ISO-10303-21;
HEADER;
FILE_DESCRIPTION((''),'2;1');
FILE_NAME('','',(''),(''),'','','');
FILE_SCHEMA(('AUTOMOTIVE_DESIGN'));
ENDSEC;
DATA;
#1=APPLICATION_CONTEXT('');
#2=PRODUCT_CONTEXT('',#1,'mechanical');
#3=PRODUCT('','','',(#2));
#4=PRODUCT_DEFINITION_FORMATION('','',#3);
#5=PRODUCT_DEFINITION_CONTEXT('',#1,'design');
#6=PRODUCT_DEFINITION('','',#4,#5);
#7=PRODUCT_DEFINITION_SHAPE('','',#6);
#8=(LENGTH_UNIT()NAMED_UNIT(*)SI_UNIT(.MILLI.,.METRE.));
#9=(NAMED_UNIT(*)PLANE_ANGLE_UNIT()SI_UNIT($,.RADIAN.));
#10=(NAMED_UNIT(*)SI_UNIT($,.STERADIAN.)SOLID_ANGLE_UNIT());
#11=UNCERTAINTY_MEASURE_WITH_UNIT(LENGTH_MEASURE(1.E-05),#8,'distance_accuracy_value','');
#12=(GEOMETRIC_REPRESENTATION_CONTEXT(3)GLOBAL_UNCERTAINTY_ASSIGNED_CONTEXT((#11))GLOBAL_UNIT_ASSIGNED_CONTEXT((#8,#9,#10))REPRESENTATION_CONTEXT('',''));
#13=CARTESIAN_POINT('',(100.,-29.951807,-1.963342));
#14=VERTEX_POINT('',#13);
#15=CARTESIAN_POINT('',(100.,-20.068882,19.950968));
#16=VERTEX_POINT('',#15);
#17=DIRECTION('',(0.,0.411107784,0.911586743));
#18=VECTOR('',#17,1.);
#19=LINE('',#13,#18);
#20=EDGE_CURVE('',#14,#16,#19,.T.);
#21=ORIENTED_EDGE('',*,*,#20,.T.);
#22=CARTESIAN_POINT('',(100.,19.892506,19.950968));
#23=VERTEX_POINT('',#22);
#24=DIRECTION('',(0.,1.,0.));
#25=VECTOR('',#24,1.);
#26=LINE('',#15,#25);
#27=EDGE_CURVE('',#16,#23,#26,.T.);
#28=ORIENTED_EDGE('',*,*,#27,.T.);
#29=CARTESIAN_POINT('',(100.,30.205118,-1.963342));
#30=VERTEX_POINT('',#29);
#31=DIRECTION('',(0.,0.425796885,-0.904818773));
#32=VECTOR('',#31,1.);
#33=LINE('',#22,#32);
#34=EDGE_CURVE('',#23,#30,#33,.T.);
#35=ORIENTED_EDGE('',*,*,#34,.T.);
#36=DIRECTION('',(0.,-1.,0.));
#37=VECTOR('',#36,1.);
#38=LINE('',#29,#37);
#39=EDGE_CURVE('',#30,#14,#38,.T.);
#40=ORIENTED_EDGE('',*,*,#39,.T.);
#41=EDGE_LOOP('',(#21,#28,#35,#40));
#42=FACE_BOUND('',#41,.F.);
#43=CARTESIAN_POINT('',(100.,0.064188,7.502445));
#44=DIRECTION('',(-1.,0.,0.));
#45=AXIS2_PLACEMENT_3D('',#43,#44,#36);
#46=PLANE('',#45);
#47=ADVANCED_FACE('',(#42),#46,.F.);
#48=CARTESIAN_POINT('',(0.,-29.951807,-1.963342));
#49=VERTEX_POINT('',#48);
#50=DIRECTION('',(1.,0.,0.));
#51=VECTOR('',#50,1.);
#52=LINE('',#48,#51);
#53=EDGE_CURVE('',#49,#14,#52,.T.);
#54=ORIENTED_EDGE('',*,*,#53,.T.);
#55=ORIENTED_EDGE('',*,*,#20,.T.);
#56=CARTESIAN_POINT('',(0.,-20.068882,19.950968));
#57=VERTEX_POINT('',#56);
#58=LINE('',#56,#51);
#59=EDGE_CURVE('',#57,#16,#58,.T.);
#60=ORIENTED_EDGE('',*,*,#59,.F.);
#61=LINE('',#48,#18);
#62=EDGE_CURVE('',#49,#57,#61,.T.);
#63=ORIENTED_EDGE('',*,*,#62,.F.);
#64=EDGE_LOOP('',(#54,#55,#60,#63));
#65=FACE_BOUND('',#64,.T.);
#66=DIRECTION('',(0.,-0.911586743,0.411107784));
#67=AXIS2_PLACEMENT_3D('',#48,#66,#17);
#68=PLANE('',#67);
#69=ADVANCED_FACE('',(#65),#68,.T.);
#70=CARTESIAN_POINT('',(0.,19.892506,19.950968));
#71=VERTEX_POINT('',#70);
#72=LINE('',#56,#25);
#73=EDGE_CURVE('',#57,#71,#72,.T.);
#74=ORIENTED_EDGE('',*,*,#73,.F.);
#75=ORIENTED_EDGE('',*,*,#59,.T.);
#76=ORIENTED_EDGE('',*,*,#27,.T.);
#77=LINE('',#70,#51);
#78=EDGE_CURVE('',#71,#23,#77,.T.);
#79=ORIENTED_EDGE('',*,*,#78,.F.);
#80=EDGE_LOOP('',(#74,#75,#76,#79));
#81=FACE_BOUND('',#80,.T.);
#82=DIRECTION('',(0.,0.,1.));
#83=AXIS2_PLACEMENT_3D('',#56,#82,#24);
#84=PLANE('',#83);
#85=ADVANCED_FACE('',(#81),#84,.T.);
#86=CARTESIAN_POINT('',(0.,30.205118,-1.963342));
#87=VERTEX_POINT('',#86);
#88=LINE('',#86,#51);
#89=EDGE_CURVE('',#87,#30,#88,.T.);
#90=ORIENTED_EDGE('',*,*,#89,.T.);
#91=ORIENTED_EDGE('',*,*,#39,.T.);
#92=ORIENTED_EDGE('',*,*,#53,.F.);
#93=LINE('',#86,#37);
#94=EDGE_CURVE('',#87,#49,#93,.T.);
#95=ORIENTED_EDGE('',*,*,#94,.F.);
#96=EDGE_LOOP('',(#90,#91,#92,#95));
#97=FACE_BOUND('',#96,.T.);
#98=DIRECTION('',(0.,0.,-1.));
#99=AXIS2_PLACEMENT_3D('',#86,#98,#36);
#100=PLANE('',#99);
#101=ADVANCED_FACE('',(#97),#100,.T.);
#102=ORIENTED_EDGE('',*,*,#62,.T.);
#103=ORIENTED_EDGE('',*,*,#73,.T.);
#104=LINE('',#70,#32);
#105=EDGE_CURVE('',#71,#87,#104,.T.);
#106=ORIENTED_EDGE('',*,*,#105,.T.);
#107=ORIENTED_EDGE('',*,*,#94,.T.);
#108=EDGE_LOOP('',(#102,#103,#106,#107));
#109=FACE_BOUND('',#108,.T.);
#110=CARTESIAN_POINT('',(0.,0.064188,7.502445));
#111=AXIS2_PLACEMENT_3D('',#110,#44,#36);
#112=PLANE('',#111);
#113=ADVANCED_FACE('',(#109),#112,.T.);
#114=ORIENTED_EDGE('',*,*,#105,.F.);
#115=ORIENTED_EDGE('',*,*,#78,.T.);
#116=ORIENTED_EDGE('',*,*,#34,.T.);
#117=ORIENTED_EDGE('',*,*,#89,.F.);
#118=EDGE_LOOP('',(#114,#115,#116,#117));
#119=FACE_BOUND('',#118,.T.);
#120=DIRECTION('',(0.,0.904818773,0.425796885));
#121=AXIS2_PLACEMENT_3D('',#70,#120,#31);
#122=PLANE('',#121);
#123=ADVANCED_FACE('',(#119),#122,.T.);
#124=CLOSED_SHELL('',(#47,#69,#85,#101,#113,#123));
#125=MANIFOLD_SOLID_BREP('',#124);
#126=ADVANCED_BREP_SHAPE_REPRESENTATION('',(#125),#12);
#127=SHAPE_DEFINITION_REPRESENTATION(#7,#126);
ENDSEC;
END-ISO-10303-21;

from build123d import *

# Parameters (mm, degrees)
PAD_DEPTH = 100


with BuildPart() as part:
    # Sketch → Pad (new body)
    with BuildSketch(Plane.YZ):
        Polygon((-20.068882, 19.950968), (19.892506, 19.950968), (30.205118, -1.963342), (-29.951807, -1.963342), align=None)
    extrude(amount=PAD_DEPTH)


solid = part.part
